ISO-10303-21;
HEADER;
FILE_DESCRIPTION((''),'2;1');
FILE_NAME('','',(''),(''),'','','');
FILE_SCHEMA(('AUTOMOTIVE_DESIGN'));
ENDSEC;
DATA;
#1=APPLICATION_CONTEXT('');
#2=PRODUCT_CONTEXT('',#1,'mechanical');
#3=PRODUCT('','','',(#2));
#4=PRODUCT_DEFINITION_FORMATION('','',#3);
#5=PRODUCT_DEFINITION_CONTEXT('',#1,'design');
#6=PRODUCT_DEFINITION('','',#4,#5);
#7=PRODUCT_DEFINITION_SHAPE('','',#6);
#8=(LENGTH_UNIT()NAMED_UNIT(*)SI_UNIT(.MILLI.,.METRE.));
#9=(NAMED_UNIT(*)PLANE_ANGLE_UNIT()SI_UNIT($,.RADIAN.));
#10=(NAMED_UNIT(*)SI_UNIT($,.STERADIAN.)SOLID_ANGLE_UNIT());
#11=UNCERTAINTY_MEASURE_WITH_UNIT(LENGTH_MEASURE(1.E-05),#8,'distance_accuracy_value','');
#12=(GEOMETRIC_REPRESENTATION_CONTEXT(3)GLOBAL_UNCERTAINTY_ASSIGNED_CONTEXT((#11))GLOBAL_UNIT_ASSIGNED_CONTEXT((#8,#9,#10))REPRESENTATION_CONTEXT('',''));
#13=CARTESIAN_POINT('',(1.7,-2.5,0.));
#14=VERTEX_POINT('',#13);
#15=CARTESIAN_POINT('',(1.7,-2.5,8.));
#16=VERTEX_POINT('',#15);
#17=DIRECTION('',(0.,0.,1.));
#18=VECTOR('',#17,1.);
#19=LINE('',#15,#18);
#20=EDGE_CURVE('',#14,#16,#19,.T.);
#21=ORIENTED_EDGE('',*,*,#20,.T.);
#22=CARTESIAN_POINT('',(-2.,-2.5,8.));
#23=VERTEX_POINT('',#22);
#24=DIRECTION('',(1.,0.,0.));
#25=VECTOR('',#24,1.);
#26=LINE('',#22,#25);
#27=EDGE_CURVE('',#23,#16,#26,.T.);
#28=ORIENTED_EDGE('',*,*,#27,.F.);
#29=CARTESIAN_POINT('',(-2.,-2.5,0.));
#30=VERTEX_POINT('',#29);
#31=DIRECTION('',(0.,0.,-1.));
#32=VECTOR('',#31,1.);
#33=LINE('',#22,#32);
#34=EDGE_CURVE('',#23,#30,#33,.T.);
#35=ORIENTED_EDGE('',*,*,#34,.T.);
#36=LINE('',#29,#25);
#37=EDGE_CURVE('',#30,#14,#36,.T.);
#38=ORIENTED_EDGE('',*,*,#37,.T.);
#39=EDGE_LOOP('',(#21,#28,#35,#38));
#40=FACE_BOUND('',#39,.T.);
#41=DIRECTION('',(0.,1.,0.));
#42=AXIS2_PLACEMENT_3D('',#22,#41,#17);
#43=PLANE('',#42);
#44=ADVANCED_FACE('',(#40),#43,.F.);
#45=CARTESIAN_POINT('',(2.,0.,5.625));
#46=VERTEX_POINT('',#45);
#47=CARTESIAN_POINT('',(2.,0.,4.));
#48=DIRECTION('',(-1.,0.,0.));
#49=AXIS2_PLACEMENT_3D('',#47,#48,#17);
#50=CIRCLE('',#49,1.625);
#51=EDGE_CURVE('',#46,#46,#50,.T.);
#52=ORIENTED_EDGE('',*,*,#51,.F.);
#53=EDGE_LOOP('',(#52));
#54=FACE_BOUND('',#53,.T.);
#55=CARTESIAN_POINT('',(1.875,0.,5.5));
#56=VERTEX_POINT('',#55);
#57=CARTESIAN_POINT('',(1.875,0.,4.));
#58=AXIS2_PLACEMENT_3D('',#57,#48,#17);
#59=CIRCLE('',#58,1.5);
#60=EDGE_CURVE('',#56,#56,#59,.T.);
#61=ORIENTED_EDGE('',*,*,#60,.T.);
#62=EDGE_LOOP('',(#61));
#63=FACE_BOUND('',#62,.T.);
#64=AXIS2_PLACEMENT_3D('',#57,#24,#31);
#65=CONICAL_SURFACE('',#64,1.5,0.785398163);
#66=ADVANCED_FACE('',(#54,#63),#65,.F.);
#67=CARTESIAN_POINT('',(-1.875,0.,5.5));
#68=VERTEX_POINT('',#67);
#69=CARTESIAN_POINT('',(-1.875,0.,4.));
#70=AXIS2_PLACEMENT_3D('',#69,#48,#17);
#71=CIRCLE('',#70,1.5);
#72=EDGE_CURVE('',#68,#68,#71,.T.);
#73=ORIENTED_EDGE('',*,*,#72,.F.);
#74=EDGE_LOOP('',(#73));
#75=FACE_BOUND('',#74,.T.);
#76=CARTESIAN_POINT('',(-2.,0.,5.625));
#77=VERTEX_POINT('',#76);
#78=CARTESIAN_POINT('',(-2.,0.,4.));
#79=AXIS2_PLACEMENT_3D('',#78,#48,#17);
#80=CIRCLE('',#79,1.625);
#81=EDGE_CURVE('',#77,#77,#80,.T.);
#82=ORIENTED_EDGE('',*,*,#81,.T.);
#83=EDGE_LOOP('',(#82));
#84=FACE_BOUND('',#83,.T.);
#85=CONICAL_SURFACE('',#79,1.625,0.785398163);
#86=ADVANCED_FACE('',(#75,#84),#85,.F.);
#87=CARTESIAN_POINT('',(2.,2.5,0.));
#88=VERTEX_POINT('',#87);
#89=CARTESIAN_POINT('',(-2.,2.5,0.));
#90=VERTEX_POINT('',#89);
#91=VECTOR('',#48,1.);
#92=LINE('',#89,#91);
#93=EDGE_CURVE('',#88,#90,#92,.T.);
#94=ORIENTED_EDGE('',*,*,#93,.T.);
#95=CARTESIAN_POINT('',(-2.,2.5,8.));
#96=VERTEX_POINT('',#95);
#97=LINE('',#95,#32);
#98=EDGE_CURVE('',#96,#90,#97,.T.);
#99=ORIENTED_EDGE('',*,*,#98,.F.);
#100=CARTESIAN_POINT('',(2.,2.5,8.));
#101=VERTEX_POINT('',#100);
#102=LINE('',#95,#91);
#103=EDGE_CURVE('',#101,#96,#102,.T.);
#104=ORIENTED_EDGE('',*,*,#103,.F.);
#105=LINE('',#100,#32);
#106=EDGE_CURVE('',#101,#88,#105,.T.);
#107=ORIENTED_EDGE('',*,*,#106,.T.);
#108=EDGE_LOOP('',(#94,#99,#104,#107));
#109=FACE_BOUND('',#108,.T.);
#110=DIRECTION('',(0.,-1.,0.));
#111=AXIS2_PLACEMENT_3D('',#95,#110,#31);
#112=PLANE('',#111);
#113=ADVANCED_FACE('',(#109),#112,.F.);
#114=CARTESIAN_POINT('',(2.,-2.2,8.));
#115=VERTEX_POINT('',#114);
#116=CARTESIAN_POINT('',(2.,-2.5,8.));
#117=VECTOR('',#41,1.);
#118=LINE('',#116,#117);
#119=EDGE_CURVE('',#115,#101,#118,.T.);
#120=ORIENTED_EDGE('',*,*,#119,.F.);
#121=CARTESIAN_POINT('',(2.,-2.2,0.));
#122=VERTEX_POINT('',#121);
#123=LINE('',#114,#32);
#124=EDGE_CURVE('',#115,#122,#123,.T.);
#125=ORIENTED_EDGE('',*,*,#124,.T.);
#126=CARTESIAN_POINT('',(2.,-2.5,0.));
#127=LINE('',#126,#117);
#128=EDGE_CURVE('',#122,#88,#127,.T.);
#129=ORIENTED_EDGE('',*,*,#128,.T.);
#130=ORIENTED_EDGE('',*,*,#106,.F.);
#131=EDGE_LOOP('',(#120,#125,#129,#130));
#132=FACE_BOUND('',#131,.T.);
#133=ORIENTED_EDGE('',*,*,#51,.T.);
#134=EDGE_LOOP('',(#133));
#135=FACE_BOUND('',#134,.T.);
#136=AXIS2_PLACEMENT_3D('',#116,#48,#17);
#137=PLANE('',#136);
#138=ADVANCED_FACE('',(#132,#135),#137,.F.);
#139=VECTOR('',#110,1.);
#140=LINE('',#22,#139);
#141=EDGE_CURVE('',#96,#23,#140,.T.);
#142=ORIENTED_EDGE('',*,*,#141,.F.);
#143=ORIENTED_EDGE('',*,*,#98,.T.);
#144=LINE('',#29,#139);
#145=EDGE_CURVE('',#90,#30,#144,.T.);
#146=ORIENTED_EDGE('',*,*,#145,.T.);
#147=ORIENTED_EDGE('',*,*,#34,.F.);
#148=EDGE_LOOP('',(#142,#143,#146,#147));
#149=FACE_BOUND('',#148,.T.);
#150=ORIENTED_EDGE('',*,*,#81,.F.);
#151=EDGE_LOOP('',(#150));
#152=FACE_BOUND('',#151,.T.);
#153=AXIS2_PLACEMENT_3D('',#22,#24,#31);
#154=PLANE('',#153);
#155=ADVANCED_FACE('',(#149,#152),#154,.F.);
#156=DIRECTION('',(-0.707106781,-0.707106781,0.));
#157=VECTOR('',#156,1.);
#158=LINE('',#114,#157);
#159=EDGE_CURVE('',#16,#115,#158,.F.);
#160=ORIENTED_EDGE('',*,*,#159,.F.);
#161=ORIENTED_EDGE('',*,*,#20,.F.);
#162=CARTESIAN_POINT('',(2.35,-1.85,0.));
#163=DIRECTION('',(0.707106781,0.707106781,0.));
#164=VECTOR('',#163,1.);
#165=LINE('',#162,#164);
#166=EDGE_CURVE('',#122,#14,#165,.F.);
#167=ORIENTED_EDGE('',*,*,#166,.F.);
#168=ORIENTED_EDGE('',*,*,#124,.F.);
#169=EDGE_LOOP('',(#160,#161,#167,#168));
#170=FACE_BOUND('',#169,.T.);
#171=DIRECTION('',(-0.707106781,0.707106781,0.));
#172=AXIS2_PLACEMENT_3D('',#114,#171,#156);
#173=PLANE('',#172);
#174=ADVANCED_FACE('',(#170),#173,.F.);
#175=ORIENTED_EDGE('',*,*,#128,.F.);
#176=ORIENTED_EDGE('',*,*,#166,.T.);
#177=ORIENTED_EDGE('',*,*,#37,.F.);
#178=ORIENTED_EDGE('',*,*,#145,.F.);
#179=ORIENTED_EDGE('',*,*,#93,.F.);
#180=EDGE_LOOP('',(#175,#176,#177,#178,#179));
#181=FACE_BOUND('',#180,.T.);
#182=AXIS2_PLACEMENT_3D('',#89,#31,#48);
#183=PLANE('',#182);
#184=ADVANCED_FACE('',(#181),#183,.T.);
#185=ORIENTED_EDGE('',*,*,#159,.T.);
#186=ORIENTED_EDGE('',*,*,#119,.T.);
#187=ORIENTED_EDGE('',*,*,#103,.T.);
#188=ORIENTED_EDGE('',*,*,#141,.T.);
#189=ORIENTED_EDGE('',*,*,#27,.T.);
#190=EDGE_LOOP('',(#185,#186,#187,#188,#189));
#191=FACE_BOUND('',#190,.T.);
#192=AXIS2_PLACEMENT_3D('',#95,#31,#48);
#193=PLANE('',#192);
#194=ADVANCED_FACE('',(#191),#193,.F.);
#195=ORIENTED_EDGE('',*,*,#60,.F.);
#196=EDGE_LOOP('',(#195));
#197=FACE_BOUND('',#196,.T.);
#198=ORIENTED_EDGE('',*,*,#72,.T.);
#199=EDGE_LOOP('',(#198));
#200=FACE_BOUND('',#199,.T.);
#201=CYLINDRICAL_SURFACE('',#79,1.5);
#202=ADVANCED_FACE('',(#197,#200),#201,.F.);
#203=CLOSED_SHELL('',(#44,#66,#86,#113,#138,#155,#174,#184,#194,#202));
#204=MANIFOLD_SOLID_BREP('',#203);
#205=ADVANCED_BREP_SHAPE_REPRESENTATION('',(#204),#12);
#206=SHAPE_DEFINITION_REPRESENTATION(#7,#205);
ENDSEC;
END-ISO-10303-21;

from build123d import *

# Parameters (mm, degrees)
SKETCH_1_W      = 4
SKETCH_1_H      = 5
EXTRUDE_1_DEPTH = 8
CHAMFER_1_SIZE  = 0.3


with BuildPart() as part:
    # Эскиз1 → Бобышка-Вытянуть1 (new body)
    with BuildSketch(Plane.XY):
        Rectangle(SKETCH_1_W, SKETCH_1_H)
    extrude(amount=EXTRUDE_1_DEPTH)

    # Эскиз2 → Отверстие обработанное метчиком M31 (revolve, cut)
    with BuildSketch(Plane(origin=(-2, 0, 4), x_dir=(0, 0, 1), z_dir=(0, 1, 0))):
        Polygon((0, 0), (0, 4), (1.625, 4), (1.5, 3.875), (1.5, 0.125), (1.625, 0), align=None)
    revolve(axis=Axis((-8.35, 0, 4), (1, 0, 0)), mode=Mode.SUBTRACT)

    # Фаска1
    chamfer_1_edges = [part.edges().sort_by_distance(p)[0] for p in [
        (2, -2.5, 4),
    ]]
    chamfer(chamfer_1_edges, length=CHAMFER_1_SIZE)


solid = part.part
